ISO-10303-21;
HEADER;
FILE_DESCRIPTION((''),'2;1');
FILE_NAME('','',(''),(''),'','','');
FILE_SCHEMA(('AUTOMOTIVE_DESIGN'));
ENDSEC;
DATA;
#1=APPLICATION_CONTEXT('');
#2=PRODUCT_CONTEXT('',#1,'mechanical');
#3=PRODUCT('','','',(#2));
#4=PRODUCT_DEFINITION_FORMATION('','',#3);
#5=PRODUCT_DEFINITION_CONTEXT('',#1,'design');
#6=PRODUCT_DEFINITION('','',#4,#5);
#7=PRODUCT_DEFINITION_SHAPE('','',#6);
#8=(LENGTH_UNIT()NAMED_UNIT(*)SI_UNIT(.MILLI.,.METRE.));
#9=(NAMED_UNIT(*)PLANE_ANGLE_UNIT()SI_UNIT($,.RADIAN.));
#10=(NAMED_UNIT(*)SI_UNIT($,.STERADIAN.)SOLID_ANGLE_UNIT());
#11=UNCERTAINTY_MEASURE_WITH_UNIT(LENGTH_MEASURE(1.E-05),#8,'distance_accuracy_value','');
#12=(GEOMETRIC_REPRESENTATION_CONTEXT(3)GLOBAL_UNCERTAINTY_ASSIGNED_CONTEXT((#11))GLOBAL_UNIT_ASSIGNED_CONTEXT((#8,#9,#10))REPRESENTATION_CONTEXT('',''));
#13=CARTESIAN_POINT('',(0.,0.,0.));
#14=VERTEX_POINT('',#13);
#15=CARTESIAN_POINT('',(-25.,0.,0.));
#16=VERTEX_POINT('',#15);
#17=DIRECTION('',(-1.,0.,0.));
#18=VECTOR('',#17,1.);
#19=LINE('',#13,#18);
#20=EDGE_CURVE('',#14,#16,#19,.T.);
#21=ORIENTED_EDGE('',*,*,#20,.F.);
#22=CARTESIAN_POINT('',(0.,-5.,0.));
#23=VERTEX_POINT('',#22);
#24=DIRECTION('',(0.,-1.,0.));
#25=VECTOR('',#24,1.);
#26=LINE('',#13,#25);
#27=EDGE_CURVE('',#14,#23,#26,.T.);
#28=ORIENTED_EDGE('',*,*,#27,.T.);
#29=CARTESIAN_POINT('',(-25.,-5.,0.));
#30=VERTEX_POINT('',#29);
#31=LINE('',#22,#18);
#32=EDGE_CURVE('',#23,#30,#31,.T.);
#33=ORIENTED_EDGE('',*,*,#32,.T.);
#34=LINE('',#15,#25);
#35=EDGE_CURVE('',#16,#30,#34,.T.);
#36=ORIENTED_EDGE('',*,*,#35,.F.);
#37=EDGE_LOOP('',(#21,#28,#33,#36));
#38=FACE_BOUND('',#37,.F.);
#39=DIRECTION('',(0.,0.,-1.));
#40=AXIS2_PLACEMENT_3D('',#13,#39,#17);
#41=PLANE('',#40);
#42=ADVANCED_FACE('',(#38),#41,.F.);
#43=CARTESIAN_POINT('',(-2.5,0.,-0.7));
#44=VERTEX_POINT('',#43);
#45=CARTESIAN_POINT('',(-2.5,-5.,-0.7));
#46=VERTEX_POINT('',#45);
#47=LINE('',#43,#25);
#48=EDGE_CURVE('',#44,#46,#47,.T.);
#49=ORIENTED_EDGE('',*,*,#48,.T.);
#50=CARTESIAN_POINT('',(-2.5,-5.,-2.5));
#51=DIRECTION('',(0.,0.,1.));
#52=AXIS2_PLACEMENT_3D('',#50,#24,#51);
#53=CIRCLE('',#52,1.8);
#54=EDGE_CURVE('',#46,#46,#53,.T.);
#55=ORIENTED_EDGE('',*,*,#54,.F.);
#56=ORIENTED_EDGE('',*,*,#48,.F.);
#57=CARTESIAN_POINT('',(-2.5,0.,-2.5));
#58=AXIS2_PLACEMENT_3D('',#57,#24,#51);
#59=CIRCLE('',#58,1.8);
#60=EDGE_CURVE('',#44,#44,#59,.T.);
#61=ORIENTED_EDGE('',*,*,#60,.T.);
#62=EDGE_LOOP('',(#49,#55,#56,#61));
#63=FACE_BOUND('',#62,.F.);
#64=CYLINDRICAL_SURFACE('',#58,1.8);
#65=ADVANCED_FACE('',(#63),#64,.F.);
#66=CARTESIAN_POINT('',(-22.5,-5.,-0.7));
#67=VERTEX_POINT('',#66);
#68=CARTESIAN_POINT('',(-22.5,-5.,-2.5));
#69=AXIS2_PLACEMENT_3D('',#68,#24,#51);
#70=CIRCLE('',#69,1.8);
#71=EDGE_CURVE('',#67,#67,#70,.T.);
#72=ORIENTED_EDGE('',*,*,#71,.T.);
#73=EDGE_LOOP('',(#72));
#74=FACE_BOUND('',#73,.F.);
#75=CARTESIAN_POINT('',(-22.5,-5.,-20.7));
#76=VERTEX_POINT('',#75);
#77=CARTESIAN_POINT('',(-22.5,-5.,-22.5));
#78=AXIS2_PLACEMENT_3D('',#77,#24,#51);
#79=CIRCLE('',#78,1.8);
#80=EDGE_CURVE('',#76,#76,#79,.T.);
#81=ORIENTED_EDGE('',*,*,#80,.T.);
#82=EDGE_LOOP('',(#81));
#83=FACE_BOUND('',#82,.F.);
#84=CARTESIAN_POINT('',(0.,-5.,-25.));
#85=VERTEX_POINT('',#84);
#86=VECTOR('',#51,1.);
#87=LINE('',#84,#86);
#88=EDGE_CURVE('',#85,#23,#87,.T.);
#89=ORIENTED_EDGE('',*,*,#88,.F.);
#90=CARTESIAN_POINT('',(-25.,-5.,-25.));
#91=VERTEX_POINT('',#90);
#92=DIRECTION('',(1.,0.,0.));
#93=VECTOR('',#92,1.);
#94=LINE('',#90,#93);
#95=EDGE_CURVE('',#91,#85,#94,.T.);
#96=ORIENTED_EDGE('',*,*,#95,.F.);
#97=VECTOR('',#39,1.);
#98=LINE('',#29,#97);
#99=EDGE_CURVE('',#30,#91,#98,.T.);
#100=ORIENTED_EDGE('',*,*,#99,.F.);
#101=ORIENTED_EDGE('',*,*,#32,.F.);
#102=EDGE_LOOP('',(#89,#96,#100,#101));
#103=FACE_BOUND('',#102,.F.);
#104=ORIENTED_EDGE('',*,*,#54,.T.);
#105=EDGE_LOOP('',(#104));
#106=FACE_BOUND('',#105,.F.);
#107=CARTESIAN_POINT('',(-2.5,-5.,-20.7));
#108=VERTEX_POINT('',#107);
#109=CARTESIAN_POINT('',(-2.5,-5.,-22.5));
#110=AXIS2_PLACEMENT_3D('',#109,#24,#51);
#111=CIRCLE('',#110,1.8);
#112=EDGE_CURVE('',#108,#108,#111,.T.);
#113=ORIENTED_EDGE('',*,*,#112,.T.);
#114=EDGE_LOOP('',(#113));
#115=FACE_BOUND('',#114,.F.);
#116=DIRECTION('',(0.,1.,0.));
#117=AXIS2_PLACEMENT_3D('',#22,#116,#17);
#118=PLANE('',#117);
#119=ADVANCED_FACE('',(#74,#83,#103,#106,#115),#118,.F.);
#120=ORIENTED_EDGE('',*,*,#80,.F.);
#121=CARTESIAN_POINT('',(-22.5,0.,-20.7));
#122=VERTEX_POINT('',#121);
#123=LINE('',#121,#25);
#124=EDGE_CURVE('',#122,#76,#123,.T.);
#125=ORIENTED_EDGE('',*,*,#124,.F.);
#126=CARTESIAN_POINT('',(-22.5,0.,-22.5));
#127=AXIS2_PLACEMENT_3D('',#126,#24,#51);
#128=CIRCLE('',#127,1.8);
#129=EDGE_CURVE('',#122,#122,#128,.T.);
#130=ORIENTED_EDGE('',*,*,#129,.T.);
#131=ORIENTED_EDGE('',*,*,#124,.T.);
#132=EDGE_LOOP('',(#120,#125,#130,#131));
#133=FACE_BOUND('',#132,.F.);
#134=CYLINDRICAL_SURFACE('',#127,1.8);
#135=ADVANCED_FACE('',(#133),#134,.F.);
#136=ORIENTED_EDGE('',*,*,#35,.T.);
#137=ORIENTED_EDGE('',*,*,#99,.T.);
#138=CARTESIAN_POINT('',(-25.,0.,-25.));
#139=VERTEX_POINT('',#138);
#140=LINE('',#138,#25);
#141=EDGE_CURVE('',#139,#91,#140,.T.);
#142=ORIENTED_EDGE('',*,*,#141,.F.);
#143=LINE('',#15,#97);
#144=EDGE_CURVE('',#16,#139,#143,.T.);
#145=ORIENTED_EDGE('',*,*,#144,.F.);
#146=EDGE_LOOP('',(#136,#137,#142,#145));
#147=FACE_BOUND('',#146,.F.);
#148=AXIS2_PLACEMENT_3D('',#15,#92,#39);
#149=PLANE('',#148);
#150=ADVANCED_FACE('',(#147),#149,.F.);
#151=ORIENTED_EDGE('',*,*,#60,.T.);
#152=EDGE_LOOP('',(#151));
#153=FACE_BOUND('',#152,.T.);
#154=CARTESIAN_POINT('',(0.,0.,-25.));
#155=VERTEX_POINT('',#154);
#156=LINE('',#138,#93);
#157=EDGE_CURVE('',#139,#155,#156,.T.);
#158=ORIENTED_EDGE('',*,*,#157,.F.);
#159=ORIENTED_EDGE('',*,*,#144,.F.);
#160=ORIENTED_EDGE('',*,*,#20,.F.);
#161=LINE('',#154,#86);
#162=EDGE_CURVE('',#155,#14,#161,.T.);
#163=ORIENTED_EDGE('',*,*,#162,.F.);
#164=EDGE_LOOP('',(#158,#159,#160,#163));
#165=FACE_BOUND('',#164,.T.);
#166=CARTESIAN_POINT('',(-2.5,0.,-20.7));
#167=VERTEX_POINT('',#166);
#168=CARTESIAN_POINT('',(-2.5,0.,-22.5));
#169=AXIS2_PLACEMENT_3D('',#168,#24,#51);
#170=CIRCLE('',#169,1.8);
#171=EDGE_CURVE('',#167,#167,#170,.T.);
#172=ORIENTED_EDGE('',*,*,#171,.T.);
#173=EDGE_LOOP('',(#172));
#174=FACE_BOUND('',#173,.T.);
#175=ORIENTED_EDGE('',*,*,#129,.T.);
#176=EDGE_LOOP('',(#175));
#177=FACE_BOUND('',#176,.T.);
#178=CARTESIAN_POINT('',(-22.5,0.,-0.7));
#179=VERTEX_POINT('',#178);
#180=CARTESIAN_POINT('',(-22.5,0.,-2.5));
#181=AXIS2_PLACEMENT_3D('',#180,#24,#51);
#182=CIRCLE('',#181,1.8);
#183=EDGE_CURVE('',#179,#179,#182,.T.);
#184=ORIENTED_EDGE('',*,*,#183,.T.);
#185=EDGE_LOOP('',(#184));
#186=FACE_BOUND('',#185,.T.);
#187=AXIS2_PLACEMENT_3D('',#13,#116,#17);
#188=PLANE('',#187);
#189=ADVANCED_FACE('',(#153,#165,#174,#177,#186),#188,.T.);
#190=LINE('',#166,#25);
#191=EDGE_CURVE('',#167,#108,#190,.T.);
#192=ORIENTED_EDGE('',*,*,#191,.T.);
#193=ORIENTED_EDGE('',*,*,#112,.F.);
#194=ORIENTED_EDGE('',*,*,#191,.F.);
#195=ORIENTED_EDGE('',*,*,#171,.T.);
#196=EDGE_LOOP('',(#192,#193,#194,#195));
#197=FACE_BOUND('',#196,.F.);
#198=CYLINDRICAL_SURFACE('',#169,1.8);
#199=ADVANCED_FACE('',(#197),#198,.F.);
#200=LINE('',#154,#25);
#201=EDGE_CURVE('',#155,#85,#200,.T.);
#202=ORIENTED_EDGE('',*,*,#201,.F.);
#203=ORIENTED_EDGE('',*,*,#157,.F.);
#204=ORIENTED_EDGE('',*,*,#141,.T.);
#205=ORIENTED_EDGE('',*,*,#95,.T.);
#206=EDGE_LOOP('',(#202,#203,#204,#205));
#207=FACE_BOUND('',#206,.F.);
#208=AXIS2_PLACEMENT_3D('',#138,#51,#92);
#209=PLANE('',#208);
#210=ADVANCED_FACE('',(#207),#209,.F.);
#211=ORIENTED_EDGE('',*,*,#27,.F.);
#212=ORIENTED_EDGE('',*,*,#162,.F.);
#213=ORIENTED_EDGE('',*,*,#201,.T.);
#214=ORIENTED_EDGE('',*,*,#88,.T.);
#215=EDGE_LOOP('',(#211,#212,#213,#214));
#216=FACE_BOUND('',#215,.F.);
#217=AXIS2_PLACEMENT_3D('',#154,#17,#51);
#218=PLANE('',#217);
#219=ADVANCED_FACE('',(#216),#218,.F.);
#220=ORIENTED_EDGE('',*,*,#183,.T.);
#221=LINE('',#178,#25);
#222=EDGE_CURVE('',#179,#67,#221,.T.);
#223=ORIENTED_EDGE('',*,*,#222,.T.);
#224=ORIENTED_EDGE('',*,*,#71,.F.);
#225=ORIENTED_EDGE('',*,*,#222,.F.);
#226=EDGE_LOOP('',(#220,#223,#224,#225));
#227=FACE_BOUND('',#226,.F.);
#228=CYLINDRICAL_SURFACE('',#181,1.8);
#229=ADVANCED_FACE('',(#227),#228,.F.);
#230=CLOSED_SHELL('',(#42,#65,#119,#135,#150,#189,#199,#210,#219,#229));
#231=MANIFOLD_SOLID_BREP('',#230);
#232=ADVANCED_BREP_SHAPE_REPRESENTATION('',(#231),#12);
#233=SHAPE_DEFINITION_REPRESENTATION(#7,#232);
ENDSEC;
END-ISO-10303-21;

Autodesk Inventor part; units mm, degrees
ref_plane "YZ Plane" through (0, 0, 0) normal (1, 0, 0) x (0, 1, 0)
ref_plane "XZ Plane" through (0, 0, 0) normal (0, 1, 0) x (-1, 0, 0)
ref_plane "XY Plane" through (0, 0, 0) normal (0, 0, 1) x (1, 0, 0)
sketch "スケッチ1" plane through (0, 0, 0) normal (0, 1, 0) x (-1, 0, 0)
  line L0 (0, 0) -> (25, 0)
  line L1 (25, 0) -> (25, -25)
  line L2 (25, -25) -> (0, -25)
  line L3 (0, -25) -> (0, 0)
  dimension "d0" = 25
  dimension "d1" = 25
extrude "押し出し1" add sketch "スケッチ1" against normal blind 5
sketch "スケッチ2" plane through (0, 0, 0) normal (0, 1, 0) x (1, 0, 0)
  line L0 (0, 25) -> (-25, 25) projected
  line L1 (0, 0) -> (0, 25) projected
  point P0 (-2.5, 22.5)
  point P1 (-22.5, 22.5)
  point P2 (-22.5, 2.5)
  point P3 (-2.5, 2.5)
  dimension "d4" = 20
  dimension "d5" = 20
  dimension "d6" = 20
  dimension "d7" = 20
  dimension "d8" = 2.5
  dimension "d9" = 2.5
  dimension "d10" = 2.5
  dimension "d11" = 2.5
hole "穴1" at (-2.5, 0, -22.5) at (-22.5, 0, -22.5) at (-22.5, 0, -2.5) at (-2.5, 0, -2.5) direction (0, -1, 0) diameter 3.6 end through all
sketch "スケッチ3" plane through (0, -5, 0) normal (0, -1, 0) x (1, 0, 0)
  point P0 (0, 0)
properties part number "Plate_5mmforPrint"
